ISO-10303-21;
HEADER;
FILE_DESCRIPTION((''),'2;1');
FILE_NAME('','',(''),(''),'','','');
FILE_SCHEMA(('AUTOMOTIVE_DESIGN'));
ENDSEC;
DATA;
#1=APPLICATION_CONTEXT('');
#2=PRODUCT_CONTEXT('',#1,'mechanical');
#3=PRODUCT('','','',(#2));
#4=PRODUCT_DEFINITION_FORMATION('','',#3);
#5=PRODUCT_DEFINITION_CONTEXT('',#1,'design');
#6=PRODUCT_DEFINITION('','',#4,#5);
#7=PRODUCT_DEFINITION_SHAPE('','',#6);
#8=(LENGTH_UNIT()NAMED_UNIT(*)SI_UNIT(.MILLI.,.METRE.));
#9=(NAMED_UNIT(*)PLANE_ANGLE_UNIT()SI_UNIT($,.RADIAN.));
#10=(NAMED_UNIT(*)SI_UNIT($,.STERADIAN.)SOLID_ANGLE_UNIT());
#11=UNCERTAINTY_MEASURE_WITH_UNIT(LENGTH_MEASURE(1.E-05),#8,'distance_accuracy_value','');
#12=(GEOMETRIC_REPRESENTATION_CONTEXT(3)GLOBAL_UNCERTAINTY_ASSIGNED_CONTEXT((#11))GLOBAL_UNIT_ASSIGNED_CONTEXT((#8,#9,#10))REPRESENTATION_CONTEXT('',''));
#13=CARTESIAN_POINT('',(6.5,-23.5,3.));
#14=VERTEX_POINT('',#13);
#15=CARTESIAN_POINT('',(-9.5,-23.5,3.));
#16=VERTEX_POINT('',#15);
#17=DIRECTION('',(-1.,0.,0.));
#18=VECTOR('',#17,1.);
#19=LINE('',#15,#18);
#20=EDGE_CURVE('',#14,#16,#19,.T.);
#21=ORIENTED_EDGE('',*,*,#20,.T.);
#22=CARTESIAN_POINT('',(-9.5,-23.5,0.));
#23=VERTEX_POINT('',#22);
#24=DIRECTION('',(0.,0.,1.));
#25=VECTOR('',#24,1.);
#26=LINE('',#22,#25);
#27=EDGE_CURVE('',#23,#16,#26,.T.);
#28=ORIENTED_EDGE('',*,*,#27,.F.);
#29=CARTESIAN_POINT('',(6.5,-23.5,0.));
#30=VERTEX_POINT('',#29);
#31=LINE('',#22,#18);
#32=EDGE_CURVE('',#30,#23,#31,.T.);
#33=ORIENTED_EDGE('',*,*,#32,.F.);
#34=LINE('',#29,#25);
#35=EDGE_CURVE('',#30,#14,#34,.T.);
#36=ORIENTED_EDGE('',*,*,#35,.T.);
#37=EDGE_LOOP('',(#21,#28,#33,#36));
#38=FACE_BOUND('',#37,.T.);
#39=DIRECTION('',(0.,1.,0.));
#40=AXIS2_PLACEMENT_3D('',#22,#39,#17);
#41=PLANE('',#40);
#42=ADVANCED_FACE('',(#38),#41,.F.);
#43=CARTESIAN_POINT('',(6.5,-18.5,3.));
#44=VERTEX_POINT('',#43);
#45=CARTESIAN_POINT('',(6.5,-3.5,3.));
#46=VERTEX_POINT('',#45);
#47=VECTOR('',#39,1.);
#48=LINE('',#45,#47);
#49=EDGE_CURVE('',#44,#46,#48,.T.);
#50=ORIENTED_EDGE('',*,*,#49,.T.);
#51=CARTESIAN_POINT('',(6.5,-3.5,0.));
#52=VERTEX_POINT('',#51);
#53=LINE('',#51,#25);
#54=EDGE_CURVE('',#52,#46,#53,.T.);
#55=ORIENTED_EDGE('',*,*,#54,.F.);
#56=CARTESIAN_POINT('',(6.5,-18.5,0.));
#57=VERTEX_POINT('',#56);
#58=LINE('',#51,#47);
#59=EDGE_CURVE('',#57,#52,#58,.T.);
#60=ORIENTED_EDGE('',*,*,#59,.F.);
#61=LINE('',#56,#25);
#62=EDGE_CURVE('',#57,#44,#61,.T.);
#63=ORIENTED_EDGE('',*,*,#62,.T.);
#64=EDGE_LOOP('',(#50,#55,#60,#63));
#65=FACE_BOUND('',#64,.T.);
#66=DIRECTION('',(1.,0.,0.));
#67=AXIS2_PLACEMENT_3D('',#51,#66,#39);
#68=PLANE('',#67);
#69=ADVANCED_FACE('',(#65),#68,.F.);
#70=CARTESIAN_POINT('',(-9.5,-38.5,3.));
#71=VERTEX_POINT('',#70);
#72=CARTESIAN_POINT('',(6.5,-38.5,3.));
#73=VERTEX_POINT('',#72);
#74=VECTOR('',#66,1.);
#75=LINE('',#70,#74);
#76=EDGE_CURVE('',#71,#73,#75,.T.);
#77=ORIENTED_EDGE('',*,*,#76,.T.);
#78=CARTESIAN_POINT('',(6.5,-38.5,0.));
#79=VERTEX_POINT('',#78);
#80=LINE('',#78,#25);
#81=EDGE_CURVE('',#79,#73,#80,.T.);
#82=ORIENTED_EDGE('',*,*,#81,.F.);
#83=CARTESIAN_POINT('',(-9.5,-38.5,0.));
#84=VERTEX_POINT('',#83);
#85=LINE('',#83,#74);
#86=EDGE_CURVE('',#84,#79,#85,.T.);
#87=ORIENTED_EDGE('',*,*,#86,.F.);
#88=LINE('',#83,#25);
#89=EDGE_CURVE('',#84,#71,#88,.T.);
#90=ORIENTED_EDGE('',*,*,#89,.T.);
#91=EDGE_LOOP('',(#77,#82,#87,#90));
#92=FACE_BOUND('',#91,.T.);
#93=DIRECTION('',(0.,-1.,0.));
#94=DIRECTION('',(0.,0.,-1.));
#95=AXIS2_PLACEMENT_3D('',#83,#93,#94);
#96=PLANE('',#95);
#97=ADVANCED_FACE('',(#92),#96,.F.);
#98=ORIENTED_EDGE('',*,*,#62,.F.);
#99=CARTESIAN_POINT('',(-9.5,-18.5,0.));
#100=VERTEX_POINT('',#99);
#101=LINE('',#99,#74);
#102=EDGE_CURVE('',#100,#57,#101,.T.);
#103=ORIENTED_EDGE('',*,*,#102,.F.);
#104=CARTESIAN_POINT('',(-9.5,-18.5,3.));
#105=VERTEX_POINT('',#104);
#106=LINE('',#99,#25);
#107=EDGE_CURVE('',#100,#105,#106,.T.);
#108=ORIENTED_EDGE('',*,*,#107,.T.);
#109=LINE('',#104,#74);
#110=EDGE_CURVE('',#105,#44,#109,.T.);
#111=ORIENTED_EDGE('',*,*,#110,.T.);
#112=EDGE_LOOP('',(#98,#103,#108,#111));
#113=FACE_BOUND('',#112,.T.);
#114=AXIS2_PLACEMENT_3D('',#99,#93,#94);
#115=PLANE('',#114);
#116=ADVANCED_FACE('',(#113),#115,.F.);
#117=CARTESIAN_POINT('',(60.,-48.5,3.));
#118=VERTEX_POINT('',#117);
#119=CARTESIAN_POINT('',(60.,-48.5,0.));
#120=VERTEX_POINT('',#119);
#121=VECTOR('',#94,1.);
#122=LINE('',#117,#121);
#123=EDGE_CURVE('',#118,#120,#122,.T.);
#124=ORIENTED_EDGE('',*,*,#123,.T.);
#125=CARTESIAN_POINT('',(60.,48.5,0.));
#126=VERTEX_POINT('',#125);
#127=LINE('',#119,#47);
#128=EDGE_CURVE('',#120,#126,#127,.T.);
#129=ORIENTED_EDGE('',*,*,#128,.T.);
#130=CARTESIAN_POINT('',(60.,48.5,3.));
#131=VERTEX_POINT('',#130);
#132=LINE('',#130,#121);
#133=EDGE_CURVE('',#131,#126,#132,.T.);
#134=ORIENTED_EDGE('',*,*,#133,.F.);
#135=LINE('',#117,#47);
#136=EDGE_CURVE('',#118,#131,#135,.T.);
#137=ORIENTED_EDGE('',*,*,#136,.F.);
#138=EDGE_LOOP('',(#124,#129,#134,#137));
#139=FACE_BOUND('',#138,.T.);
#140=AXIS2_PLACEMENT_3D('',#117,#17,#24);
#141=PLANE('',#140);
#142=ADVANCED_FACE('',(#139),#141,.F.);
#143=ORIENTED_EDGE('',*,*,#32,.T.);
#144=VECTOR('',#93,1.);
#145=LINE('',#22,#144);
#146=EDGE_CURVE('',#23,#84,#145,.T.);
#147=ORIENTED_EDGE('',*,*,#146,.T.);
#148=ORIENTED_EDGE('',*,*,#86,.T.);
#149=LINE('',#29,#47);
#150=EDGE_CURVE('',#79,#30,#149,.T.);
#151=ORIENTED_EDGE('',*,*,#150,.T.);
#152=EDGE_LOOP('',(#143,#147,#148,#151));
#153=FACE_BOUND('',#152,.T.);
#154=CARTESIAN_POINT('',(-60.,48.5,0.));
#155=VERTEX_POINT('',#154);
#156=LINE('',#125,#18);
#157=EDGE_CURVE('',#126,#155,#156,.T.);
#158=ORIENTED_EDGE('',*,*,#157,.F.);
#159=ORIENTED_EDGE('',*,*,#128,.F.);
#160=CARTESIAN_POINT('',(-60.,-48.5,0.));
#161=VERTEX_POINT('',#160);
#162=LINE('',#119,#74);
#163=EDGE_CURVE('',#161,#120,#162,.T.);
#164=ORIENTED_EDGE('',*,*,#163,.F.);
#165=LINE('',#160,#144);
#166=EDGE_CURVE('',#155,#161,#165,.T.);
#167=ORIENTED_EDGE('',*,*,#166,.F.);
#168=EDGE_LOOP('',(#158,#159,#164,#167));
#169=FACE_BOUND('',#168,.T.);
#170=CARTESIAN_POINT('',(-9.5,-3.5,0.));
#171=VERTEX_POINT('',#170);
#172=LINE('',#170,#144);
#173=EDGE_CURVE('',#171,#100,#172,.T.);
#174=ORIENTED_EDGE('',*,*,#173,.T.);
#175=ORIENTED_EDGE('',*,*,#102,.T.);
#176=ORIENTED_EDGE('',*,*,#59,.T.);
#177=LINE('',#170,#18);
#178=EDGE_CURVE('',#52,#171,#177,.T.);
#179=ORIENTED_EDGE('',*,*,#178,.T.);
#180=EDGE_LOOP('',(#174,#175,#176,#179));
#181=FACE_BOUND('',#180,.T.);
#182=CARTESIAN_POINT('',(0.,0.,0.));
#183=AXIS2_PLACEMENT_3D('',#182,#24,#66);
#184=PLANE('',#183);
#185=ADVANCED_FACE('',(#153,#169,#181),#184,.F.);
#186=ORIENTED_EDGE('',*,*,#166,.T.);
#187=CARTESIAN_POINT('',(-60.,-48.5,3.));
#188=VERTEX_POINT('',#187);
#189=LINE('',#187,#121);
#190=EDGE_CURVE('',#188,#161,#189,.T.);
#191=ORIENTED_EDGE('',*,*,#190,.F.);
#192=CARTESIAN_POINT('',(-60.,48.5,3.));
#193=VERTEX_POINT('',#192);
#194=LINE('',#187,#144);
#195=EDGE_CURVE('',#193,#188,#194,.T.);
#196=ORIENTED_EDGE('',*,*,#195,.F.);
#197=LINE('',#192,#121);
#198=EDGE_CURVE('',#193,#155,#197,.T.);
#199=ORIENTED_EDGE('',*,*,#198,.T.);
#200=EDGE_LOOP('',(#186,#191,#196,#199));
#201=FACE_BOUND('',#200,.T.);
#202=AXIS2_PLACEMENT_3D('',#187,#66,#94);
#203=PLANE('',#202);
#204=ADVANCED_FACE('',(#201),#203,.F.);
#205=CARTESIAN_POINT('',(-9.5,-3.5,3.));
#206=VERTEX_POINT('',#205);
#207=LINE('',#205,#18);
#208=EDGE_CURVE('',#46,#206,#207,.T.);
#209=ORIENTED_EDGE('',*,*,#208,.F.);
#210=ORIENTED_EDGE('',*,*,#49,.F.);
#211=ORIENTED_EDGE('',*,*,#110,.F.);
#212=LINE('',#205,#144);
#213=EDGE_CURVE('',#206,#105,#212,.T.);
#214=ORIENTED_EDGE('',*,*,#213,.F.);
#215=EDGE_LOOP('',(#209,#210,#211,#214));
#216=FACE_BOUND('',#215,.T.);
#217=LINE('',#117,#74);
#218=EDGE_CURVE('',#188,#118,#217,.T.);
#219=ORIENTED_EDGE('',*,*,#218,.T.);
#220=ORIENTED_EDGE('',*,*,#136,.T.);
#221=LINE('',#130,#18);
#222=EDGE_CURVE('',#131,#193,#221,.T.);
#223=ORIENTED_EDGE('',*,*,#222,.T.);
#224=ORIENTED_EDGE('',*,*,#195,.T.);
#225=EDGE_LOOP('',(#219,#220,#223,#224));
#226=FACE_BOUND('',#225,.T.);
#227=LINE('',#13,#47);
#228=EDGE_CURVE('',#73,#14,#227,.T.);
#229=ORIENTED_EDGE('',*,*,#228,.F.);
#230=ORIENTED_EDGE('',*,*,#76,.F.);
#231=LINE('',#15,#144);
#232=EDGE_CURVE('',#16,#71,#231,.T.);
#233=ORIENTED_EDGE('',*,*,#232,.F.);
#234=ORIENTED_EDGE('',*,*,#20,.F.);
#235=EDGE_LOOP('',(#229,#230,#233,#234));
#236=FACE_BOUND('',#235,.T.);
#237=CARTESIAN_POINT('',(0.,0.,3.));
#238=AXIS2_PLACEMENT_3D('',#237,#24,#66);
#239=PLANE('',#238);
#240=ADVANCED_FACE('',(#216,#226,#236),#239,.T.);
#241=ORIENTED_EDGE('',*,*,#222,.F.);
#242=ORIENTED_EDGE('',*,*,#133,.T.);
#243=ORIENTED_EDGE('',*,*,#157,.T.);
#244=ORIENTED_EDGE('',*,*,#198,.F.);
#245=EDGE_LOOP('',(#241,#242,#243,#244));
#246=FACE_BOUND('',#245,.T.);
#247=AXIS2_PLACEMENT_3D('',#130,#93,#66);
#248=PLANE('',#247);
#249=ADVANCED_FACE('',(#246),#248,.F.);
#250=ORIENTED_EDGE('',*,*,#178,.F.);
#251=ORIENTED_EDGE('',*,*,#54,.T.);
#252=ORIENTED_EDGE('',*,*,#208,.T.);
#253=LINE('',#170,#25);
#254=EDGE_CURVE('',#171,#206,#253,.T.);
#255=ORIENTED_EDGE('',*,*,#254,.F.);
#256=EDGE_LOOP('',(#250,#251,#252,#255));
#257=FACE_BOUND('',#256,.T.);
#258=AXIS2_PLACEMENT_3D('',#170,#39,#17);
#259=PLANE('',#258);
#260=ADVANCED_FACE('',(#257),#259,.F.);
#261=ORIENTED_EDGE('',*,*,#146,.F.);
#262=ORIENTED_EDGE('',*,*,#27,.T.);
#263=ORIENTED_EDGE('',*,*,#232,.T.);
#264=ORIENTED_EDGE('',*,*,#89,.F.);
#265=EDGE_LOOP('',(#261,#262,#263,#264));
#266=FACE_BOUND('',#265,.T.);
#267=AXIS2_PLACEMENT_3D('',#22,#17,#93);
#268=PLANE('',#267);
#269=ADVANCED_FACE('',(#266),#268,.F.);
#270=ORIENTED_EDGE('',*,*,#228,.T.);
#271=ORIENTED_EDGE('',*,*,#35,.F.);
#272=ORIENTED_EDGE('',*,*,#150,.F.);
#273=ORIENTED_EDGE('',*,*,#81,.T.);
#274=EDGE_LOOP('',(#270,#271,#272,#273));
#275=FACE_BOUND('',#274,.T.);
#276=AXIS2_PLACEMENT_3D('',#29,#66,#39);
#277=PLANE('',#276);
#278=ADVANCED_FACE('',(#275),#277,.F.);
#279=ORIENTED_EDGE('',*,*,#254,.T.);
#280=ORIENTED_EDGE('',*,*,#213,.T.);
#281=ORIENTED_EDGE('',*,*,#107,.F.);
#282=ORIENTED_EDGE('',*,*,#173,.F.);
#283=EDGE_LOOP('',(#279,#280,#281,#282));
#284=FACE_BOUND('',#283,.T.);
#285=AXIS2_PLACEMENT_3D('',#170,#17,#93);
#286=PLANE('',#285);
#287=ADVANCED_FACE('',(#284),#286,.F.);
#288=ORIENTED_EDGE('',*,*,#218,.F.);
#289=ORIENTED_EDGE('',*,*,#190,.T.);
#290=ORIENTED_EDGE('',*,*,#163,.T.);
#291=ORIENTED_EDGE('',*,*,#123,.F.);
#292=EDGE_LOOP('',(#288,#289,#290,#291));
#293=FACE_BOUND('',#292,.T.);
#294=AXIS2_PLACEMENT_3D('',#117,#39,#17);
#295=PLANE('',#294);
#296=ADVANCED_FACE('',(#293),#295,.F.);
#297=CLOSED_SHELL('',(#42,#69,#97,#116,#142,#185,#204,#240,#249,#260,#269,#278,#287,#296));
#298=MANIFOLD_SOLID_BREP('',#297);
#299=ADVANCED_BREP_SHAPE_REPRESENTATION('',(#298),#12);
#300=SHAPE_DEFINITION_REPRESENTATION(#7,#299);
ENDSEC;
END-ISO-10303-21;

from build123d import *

# Parameters (mm, degrees)
ESBO_O1_W                = 120
ESBO_O1_H                = 97
RESSALTO_EXTRUS_O1_DEPTH = 3
ESBO_O2_W                = 16
ESBO_O2_H                = 15
CORTE_EXTRUS_O1_DEPTH    = 78.209131584
PADR_O_LINEAR1_COUNT     = 2
PADR_O_LINEAR1_PITCH     = 20


with BuildPart() as part:
    # Esboço1 → Ressalto-extrusão1 (new body)
    with BuildSketch(Plane.XY):
        Rectangle(ESBO_O1_W, ESBO_O1_H)
    extrude(amount=RESSALTO_EXTRUS_O1_DEPTH)

    # Esboço2 → Corte-extrusão1 (cut, through all)
    with BuildSketch(Plane.XY.offset(3)):
        with Locations((-1.5, -31)):
            Rectangle(ESBO_O2_W, ESBO_O2_H)
    corte_extrus_o1 = extrude(amount=-CORTE_EXTRUS_O1_DEPTH, mode=Mode.SUBTRACT)

    # Padrão linear1: Corte-extrusão1 ×2
    with Locations(*[(0, i * PADR_O_LINEAR1_PITCH, 0) for i in range(1, PADR_O_LINEAR1_COUNT)]):
        add(corte_extrus_o1, mode=Mode.SUBTRACT)


solid = part.part
